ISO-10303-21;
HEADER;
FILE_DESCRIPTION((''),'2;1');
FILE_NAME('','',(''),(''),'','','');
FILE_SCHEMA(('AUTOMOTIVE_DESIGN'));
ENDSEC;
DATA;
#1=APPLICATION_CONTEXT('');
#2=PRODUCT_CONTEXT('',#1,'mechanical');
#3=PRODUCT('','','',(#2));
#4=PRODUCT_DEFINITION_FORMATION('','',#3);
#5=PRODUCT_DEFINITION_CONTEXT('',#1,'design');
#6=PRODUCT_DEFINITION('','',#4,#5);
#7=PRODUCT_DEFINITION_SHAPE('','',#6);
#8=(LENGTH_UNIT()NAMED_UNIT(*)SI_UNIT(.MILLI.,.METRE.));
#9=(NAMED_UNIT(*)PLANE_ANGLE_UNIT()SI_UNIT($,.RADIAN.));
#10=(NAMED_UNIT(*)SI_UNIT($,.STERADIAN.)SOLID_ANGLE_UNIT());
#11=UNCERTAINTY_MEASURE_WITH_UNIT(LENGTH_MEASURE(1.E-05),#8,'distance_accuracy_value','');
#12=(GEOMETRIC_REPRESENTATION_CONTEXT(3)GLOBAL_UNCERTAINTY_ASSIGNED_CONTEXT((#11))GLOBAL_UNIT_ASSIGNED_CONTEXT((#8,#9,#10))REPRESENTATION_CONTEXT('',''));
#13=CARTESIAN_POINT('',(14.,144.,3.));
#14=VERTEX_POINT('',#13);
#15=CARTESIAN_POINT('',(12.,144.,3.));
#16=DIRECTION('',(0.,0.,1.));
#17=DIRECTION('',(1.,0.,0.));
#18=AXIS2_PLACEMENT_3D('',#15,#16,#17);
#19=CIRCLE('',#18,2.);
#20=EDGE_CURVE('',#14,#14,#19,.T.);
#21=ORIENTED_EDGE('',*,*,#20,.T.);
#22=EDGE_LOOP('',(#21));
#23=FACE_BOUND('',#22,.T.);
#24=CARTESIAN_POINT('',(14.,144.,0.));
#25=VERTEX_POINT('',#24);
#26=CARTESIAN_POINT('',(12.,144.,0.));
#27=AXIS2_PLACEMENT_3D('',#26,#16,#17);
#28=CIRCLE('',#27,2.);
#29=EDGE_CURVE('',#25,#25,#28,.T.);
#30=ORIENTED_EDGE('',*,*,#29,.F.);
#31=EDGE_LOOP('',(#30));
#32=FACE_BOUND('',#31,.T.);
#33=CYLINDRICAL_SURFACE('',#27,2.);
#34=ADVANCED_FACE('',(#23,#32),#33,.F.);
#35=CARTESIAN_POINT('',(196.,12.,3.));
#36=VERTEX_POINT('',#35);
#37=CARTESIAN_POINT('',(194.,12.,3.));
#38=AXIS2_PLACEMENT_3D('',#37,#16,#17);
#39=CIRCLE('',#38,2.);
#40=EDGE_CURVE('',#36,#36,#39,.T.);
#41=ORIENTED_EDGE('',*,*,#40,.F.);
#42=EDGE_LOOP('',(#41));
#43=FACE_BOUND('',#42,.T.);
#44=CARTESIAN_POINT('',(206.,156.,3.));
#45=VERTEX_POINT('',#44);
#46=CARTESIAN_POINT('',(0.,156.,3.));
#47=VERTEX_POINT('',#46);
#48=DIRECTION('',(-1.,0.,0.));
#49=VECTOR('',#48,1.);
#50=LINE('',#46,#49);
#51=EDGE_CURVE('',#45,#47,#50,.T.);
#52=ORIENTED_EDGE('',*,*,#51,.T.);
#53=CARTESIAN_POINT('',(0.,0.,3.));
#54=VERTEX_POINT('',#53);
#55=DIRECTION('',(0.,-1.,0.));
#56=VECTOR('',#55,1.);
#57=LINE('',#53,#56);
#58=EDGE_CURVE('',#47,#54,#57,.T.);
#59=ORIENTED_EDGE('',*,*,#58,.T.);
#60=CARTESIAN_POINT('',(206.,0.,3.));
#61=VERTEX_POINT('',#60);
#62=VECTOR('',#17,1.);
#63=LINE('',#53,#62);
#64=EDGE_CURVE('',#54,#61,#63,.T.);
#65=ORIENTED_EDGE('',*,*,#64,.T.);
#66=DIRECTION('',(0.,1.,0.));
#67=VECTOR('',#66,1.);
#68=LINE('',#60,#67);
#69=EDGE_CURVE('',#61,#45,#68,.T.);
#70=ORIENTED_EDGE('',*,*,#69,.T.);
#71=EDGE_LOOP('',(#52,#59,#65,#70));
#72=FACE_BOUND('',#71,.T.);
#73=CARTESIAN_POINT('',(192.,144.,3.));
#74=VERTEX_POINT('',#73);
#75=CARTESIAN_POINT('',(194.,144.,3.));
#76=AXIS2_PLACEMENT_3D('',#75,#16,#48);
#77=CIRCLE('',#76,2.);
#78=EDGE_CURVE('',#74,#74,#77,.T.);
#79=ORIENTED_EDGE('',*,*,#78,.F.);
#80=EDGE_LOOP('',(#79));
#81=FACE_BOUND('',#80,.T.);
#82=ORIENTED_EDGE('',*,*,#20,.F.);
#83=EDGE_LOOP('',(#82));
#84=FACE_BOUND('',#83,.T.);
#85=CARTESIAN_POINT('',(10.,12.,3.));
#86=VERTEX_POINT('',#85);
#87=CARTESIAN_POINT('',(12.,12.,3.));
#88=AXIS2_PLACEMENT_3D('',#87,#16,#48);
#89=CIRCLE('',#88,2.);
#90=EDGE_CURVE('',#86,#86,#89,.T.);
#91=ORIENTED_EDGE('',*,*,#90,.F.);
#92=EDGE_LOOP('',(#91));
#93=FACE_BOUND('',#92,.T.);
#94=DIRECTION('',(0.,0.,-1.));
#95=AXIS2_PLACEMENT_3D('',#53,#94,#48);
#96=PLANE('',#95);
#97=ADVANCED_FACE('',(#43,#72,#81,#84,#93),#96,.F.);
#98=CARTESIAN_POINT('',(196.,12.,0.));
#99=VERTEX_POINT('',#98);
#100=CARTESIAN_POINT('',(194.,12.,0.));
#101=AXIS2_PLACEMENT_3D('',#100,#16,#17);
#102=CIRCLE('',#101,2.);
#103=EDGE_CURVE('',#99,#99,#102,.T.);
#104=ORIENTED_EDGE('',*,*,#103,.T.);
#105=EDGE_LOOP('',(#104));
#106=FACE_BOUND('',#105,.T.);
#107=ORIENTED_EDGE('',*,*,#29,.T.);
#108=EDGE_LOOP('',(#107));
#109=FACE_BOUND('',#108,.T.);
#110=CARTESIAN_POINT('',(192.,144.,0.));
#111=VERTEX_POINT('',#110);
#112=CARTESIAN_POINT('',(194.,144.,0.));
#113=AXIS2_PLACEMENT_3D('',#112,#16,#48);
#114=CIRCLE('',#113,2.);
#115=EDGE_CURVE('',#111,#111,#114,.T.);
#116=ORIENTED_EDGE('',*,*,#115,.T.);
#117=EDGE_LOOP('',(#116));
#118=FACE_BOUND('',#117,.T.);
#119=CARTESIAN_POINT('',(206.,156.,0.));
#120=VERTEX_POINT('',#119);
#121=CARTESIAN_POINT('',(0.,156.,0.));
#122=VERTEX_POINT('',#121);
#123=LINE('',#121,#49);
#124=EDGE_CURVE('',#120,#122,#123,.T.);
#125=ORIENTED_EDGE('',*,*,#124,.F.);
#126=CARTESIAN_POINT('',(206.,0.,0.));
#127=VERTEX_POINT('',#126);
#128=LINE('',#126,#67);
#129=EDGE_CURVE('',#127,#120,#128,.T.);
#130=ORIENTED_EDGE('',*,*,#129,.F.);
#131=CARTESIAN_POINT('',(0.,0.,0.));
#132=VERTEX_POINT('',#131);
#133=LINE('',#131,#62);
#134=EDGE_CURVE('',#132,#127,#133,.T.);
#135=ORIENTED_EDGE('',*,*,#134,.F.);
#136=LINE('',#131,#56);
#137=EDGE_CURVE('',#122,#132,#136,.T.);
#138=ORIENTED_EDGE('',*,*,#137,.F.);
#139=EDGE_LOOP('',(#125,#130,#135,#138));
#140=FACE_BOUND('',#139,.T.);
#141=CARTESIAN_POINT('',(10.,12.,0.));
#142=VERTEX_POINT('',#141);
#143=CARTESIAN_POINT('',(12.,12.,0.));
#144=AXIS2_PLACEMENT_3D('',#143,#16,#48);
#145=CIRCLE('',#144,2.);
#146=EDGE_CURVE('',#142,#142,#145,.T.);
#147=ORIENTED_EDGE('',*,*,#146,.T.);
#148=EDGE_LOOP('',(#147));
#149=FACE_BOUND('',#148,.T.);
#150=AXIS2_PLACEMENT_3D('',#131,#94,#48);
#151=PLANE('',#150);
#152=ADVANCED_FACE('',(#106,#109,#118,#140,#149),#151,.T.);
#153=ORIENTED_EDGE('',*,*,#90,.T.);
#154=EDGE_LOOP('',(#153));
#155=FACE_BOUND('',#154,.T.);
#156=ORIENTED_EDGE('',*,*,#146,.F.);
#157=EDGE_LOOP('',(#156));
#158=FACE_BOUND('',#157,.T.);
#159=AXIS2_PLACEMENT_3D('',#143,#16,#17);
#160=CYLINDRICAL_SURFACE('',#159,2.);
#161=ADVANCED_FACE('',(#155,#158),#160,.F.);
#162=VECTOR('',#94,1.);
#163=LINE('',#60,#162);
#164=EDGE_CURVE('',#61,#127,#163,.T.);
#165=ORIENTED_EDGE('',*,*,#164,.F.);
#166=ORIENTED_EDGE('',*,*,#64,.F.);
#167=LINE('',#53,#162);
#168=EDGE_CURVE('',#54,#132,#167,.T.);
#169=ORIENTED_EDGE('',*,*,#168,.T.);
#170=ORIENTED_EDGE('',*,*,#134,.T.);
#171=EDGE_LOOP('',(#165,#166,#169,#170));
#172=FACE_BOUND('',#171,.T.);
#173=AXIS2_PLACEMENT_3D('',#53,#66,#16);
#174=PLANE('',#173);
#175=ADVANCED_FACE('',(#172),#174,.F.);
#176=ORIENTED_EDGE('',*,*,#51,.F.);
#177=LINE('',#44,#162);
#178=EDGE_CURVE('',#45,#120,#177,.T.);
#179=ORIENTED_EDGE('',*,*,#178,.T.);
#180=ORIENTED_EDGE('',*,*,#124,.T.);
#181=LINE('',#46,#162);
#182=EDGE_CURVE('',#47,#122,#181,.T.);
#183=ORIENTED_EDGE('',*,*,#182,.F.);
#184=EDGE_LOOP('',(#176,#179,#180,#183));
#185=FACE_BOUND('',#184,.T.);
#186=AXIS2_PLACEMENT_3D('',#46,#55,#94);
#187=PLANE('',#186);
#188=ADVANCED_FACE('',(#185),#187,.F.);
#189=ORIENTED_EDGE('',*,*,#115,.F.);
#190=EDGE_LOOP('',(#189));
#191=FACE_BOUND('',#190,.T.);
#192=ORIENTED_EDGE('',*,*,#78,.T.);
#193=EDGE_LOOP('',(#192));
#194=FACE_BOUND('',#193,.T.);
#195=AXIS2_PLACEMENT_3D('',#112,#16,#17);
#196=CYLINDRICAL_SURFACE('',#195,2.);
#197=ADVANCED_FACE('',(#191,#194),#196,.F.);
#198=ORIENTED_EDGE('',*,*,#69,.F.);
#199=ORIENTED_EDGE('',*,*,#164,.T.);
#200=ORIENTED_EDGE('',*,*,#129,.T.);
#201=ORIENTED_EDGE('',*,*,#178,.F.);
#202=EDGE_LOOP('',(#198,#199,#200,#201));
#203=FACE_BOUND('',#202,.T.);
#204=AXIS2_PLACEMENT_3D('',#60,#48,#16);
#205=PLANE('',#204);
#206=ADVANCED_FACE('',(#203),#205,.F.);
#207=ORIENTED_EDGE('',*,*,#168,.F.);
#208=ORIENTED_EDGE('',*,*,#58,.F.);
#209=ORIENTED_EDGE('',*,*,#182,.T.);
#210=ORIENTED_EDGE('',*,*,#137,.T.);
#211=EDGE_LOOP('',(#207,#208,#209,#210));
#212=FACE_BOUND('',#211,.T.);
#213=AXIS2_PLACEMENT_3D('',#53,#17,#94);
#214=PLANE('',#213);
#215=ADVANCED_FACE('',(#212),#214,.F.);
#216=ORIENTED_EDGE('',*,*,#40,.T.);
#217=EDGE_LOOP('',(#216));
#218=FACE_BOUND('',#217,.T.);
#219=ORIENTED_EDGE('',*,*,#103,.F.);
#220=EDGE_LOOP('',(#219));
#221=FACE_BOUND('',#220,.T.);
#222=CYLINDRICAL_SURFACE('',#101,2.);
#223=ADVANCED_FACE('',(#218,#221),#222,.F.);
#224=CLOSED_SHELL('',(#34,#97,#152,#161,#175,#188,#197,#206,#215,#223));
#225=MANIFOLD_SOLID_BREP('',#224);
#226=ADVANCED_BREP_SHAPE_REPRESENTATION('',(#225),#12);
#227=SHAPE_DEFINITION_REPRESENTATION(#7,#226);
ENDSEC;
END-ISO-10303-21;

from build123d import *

# Parameters (mm, degrees)
ESQUISSE1_W             = 206
ESQUISSE1_H             = 156
BOSS_EXTRU_1_DEPTH      = 3
ESQUISSE2_R             = 2
ENL_V_MAT_EXTRU_1_DEPTH = 3


with BuildPart() as part:
    # Esquisse1 → Boss.-Extru.1 (new body)
    with BuildSketch(Plane.XY):
        with Locations((103, 78)):
            Rectangle(ESQUISSE1_W, ESQUISSE1_H)
    extrude(amount=BOSS_EXTRU_1_DEPTH)

    # Esquisse2 → Enlèv. mat.-Extru.1 (cut)
    with BuildSketch(Plane.XY.offset(3)):
        with Locations((12, 144)):
            Circle(ESQUISSE2_R)
        with Locations((194, 144)):
            Circle(ESQUISSE2_R)
        with Locations((194, 12)):
            Circle(ESQUISSE2_R)
        with Locations((12, 12)):
            Circle(ESQUISSE2_R)
    extrude(amount=-ENL_V_MAT_EXTRU_1_DEPTH, mode=Mode.SUBTRACT)


solid = part.part
